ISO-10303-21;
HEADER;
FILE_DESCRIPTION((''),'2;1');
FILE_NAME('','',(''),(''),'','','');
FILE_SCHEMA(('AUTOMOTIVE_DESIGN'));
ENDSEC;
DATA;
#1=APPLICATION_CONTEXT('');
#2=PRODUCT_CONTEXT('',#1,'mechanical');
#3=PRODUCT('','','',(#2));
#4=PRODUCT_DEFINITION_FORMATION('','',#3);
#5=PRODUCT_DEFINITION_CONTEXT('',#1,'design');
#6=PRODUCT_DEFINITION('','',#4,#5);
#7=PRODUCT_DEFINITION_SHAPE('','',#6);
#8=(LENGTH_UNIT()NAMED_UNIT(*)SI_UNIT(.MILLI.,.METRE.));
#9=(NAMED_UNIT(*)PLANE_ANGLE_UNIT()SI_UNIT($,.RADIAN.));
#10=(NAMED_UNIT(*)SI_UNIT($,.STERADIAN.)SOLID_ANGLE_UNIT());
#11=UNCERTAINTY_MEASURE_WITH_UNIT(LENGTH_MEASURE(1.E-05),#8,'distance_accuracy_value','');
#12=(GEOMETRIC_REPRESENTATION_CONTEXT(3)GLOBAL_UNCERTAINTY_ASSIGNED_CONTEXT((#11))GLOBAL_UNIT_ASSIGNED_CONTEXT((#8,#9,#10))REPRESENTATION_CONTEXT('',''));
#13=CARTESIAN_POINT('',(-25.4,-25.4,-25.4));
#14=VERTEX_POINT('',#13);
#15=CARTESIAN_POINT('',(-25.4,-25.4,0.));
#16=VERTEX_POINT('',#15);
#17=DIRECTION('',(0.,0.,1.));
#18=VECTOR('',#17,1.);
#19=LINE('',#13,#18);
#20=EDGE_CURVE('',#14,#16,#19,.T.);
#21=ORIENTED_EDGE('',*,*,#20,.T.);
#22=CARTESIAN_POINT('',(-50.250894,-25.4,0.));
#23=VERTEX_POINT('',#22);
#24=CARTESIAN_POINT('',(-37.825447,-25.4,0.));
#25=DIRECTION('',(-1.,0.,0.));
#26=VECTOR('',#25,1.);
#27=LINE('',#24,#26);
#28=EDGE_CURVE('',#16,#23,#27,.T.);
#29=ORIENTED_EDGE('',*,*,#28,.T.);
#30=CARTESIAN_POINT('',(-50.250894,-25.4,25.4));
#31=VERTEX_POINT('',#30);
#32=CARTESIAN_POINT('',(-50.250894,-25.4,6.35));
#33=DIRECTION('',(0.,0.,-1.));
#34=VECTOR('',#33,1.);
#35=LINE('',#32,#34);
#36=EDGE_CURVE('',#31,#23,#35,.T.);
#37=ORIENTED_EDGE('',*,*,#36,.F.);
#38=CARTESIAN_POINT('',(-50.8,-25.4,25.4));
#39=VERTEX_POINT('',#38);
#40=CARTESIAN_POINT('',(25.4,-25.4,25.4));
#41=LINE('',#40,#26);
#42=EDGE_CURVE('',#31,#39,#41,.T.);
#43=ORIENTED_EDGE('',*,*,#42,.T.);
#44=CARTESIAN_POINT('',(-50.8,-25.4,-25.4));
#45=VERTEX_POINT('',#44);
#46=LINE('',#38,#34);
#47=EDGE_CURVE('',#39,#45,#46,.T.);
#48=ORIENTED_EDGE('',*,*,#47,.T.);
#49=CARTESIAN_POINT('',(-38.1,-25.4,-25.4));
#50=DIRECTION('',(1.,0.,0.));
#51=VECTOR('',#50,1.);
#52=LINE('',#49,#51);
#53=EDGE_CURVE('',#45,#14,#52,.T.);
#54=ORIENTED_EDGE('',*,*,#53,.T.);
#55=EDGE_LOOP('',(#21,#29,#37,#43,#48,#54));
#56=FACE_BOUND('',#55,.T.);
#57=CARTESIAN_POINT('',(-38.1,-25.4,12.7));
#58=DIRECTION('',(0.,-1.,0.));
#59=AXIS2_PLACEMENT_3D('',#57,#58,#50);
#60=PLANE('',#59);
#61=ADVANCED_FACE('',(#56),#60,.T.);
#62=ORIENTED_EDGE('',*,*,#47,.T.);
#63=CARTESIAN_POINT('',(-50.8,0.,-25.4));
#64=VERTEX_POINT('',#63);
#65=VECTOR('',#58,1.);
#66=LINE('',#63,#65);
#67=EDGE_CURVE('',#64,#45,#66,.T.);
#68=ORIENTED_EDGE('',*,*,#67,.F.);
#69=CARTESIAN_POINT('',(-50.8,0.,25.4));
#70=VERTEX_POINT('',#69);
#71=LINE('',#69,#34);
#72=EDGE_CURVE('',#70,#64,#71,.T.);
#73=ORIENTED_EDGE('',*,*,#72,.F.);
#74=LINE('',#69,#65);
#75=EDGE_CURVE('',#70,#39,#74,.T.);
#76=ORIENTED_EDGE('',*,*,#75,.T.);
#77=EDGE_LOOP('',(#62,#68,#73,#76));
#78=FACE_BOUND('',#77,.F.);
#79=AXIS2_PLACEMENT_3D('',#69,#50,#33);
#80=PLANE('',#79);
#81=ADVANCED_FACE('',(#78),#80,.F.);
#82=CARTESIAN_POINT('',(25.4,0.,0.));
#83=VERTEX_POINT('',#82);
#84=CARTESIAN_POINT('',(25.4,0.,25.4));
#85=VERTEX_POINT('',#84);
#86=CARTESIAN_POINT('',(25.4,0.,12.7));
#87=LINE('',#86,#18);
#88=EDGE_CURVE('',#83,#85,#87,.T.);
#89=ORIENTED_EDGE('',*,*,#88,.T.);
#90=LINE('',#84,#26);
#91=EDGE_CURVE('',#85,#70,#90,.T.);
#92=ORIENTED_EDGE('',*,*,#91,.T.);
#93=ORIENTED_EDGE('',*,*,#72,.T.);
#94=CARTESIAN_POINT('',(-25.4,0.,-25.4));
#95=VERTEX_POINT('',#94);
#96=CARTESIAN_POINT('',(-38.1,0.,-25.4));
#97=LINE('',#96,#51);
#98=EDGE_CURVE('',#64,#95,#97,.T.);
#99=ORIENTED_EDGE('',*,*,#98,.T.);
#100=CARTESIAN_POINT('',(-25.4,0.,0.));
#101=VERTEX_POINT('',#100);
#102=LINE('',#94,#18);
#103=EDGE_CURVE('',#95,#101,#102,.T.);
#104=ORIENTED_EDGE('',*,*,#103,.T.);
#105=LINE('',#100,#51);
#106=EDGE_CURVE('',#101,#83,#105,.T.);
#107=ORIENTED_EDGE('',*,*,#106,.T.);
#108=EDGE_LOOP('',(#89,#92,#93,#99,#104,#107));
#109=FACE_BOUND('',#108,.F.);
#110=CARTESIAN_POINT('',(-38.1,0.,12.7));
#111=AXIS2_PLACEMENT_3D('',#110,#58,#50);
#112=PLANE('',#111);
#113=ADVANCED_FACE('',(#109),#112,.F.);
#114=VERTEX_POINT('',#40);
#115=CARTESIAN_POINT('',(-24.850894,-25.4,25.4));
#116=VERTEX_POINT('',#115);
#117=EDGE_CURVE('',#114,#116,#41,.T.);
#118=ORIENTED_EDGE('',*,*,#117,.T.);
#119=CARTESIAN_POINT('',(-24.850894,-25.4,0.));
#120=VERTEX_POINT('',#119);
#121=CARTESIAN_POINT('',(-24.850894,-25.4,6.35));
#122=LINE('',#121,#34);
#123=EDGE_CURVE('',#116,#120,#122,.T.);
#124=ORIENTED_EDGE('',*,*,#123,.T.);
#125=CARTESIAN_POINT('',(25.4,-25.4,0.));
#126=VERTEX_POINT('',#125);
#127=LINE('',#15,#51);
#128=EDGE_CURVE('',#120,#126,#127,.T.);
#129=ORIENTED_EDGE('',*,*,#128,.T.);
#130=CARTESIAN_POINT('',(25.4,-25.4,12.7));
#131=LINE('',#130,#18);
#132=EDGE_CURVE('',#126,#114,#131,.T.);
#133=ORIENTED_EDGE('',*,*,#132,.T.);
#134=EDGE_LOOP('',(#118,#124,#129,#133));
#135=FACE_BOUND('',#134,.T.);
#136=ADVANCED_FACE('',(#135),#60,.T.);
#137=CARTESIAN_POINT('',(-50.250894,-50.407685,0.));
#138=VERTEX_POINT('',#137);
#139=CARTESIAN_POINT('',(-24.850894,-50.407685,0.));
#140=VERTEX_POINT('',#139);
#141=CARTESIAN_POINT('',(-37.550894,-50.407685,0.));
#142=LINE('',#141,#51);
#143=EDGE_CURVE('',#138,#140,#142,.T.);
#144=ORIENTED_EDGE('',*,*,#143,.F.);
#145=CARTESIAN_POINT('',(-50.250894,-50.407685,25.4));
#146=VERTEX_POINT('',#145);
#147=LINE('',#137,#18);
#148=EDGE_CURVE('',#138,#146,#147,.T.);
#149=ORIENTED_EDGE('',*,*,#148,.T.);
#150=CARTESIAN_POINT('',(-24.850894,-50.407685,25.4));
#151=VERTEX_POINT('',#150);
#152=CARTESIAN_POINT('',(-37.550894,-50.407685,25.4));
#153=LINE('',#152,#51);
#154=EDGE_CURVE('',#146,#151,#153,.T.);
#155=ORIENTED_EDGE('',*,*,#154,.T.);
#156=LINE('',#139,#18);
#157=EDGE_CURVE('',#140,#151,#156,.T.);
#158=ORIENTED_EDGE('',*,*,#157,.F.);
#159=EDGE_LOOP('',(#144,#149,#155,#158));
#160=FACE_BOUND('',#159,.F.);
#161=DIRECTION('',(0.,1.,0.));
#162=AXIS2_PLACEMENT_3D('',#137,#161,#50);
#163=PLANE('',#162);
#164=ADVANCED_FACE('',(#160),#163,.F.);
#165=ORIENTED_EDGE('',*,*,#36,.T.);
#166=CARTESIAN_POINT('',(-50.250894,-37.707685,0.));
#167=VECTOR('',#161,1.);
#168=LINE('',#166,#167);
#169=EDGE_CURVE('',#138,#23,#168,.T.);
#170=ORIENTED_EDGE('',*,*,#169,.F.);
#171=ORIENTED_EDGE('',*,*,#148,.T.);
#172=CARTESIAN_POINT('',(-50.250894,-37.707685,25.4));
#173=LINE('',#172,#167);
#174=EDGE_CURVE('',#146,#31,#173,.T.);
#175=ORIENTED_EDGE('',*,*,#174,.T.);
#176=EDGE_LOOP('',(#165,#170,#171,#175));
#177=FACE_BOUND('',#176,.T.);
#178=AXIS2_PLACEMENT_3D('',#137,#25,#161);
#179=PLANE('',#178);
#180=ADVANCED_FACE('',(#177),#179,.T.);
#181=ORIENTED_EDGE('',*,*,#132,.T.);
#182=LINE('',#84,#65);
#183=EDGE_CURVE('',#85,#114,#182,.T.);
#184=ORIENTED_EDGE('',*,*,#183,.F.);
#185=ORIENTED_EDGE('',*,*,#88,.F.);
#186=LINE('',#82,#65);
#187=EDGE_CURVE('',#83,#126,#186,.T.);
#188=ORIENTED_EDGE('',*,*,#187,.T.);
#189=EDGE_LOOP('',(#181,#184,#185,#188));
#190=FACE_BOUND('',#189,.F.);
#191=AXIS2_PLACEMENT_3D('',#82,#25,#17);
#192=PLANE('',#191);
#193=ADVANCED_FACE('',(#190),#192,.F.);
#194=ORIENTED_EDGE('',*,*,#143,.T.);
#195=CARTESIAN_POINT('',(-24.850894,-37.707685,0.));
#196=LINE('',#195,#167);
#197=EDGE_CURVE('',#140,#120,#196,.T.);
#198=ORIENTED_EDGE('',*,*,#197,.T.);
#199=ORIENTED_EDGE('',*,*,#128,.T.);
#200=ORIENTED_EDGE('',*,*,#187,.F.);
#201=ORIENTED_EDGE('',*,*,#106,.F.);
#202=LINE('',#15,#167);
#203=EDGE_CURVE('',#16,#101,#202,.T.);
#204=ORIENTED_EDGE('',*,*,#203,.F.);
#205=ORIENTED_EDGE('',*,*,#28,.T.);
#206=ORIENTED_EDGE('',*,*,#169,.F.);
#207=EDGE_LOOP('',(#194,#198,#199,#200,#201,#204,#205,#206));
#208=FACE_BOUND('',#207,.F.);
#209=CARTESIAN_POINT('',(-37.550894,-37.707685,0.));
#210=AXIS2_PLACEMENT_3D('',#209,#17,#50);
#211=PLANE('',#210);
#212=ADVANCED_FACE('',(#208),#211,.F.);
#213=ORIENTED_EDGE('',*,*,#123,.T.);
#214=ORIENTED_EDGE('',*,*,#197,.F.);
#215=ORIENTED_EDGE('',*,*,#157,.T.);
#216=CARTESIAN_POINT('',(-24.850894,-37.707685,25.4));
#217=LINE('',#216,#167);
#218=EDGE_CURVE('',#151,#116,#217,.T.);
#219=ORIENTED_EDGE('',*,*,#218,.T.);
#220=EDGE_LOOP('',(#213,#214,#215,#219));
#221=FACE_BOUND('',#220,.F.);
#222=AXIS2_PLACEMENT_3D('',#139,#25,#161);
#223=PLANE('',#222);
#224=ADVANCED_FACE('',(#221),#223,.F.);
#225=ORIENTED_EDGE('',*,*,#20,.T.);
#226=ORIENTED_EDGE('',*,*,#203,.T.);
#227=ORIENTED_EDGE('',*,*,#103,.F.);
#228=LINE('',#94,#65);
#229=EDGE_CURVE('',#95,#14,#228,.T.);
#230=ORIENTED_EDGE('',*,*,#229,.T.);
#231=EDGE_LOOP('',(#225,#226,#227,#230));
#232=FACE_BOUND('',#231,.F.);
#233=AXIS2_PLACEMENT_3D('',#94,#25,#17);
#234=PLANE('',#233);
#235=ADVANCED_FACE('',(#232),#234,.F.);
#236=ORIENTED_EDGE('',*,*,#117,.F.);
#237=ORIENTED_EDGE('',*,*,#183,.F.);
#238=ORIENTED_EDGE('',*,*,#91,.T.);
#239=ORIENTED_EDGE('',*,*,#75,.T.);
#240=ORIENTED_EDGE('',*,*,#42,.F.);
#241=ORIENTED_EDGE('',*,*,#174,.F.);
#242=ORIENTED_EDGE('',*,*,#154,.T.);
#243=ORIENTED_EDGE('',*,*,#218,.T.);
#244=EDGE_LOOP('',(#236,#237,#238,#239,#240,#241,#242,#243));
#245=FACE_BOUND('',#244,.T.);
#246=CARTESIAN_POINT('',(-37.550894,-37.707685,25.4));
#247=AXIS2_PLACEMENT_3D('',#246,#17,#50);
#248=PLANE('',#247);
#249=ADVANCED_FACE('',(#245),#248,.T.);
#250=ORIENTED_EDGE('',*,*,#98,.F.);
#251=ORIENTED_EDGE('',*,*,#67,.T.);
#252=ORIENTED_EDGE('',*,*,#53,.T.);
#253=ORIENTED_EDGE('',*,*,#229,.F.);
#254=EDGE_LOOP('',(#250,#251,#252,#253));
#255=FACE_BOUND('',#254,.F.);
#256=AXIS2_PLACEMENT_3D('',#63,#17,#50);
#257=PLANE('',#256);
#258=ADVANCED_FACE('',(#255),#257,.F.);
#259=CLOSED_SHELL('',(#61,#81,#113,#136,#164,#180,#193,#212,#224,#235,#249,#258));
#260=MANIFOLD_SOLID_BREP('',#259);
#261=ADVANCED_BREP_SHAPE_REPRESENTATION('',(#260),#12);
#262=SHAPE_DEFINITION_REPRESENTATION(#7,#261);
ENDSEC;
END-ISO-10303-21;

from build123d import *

# Parameters (mm, degrees)
F0_W     = 25.4
F0_H     = 25.4
F1_DEPTH = 25.4
F2_W     = 25.4
F2_H     = 25.4
F3_DEPTH = 25.4


with BuildPart() as f1:
    # F0 (on Front) → F1 (new body)
    with BuildSketch(Plane.XZ):
        with Locations((-38.1, 12.7)):
            Rectangle(F0_W, F0_H)
        with Locations((-38.1, -12.7)):
            Rectangle(F0_W, F0_H)
        with Locations((-12.7, 12.7)):
            Rectangle(F0_W, F0_H)
        with Locations((12.7, 12.7)):
            Rectangle(F0_W, F0_H)
    extrude(amount=F1_DEPTH)

    # F2 (on Top) → F3 (join)
    with BuildSketch(Plane.XY):
        with Locations((-37.550894, -37.707685)):
            Rectangle(F2_W, F2_H)
    extrude(amount=F3_DEPTH)


solid = f1.part
